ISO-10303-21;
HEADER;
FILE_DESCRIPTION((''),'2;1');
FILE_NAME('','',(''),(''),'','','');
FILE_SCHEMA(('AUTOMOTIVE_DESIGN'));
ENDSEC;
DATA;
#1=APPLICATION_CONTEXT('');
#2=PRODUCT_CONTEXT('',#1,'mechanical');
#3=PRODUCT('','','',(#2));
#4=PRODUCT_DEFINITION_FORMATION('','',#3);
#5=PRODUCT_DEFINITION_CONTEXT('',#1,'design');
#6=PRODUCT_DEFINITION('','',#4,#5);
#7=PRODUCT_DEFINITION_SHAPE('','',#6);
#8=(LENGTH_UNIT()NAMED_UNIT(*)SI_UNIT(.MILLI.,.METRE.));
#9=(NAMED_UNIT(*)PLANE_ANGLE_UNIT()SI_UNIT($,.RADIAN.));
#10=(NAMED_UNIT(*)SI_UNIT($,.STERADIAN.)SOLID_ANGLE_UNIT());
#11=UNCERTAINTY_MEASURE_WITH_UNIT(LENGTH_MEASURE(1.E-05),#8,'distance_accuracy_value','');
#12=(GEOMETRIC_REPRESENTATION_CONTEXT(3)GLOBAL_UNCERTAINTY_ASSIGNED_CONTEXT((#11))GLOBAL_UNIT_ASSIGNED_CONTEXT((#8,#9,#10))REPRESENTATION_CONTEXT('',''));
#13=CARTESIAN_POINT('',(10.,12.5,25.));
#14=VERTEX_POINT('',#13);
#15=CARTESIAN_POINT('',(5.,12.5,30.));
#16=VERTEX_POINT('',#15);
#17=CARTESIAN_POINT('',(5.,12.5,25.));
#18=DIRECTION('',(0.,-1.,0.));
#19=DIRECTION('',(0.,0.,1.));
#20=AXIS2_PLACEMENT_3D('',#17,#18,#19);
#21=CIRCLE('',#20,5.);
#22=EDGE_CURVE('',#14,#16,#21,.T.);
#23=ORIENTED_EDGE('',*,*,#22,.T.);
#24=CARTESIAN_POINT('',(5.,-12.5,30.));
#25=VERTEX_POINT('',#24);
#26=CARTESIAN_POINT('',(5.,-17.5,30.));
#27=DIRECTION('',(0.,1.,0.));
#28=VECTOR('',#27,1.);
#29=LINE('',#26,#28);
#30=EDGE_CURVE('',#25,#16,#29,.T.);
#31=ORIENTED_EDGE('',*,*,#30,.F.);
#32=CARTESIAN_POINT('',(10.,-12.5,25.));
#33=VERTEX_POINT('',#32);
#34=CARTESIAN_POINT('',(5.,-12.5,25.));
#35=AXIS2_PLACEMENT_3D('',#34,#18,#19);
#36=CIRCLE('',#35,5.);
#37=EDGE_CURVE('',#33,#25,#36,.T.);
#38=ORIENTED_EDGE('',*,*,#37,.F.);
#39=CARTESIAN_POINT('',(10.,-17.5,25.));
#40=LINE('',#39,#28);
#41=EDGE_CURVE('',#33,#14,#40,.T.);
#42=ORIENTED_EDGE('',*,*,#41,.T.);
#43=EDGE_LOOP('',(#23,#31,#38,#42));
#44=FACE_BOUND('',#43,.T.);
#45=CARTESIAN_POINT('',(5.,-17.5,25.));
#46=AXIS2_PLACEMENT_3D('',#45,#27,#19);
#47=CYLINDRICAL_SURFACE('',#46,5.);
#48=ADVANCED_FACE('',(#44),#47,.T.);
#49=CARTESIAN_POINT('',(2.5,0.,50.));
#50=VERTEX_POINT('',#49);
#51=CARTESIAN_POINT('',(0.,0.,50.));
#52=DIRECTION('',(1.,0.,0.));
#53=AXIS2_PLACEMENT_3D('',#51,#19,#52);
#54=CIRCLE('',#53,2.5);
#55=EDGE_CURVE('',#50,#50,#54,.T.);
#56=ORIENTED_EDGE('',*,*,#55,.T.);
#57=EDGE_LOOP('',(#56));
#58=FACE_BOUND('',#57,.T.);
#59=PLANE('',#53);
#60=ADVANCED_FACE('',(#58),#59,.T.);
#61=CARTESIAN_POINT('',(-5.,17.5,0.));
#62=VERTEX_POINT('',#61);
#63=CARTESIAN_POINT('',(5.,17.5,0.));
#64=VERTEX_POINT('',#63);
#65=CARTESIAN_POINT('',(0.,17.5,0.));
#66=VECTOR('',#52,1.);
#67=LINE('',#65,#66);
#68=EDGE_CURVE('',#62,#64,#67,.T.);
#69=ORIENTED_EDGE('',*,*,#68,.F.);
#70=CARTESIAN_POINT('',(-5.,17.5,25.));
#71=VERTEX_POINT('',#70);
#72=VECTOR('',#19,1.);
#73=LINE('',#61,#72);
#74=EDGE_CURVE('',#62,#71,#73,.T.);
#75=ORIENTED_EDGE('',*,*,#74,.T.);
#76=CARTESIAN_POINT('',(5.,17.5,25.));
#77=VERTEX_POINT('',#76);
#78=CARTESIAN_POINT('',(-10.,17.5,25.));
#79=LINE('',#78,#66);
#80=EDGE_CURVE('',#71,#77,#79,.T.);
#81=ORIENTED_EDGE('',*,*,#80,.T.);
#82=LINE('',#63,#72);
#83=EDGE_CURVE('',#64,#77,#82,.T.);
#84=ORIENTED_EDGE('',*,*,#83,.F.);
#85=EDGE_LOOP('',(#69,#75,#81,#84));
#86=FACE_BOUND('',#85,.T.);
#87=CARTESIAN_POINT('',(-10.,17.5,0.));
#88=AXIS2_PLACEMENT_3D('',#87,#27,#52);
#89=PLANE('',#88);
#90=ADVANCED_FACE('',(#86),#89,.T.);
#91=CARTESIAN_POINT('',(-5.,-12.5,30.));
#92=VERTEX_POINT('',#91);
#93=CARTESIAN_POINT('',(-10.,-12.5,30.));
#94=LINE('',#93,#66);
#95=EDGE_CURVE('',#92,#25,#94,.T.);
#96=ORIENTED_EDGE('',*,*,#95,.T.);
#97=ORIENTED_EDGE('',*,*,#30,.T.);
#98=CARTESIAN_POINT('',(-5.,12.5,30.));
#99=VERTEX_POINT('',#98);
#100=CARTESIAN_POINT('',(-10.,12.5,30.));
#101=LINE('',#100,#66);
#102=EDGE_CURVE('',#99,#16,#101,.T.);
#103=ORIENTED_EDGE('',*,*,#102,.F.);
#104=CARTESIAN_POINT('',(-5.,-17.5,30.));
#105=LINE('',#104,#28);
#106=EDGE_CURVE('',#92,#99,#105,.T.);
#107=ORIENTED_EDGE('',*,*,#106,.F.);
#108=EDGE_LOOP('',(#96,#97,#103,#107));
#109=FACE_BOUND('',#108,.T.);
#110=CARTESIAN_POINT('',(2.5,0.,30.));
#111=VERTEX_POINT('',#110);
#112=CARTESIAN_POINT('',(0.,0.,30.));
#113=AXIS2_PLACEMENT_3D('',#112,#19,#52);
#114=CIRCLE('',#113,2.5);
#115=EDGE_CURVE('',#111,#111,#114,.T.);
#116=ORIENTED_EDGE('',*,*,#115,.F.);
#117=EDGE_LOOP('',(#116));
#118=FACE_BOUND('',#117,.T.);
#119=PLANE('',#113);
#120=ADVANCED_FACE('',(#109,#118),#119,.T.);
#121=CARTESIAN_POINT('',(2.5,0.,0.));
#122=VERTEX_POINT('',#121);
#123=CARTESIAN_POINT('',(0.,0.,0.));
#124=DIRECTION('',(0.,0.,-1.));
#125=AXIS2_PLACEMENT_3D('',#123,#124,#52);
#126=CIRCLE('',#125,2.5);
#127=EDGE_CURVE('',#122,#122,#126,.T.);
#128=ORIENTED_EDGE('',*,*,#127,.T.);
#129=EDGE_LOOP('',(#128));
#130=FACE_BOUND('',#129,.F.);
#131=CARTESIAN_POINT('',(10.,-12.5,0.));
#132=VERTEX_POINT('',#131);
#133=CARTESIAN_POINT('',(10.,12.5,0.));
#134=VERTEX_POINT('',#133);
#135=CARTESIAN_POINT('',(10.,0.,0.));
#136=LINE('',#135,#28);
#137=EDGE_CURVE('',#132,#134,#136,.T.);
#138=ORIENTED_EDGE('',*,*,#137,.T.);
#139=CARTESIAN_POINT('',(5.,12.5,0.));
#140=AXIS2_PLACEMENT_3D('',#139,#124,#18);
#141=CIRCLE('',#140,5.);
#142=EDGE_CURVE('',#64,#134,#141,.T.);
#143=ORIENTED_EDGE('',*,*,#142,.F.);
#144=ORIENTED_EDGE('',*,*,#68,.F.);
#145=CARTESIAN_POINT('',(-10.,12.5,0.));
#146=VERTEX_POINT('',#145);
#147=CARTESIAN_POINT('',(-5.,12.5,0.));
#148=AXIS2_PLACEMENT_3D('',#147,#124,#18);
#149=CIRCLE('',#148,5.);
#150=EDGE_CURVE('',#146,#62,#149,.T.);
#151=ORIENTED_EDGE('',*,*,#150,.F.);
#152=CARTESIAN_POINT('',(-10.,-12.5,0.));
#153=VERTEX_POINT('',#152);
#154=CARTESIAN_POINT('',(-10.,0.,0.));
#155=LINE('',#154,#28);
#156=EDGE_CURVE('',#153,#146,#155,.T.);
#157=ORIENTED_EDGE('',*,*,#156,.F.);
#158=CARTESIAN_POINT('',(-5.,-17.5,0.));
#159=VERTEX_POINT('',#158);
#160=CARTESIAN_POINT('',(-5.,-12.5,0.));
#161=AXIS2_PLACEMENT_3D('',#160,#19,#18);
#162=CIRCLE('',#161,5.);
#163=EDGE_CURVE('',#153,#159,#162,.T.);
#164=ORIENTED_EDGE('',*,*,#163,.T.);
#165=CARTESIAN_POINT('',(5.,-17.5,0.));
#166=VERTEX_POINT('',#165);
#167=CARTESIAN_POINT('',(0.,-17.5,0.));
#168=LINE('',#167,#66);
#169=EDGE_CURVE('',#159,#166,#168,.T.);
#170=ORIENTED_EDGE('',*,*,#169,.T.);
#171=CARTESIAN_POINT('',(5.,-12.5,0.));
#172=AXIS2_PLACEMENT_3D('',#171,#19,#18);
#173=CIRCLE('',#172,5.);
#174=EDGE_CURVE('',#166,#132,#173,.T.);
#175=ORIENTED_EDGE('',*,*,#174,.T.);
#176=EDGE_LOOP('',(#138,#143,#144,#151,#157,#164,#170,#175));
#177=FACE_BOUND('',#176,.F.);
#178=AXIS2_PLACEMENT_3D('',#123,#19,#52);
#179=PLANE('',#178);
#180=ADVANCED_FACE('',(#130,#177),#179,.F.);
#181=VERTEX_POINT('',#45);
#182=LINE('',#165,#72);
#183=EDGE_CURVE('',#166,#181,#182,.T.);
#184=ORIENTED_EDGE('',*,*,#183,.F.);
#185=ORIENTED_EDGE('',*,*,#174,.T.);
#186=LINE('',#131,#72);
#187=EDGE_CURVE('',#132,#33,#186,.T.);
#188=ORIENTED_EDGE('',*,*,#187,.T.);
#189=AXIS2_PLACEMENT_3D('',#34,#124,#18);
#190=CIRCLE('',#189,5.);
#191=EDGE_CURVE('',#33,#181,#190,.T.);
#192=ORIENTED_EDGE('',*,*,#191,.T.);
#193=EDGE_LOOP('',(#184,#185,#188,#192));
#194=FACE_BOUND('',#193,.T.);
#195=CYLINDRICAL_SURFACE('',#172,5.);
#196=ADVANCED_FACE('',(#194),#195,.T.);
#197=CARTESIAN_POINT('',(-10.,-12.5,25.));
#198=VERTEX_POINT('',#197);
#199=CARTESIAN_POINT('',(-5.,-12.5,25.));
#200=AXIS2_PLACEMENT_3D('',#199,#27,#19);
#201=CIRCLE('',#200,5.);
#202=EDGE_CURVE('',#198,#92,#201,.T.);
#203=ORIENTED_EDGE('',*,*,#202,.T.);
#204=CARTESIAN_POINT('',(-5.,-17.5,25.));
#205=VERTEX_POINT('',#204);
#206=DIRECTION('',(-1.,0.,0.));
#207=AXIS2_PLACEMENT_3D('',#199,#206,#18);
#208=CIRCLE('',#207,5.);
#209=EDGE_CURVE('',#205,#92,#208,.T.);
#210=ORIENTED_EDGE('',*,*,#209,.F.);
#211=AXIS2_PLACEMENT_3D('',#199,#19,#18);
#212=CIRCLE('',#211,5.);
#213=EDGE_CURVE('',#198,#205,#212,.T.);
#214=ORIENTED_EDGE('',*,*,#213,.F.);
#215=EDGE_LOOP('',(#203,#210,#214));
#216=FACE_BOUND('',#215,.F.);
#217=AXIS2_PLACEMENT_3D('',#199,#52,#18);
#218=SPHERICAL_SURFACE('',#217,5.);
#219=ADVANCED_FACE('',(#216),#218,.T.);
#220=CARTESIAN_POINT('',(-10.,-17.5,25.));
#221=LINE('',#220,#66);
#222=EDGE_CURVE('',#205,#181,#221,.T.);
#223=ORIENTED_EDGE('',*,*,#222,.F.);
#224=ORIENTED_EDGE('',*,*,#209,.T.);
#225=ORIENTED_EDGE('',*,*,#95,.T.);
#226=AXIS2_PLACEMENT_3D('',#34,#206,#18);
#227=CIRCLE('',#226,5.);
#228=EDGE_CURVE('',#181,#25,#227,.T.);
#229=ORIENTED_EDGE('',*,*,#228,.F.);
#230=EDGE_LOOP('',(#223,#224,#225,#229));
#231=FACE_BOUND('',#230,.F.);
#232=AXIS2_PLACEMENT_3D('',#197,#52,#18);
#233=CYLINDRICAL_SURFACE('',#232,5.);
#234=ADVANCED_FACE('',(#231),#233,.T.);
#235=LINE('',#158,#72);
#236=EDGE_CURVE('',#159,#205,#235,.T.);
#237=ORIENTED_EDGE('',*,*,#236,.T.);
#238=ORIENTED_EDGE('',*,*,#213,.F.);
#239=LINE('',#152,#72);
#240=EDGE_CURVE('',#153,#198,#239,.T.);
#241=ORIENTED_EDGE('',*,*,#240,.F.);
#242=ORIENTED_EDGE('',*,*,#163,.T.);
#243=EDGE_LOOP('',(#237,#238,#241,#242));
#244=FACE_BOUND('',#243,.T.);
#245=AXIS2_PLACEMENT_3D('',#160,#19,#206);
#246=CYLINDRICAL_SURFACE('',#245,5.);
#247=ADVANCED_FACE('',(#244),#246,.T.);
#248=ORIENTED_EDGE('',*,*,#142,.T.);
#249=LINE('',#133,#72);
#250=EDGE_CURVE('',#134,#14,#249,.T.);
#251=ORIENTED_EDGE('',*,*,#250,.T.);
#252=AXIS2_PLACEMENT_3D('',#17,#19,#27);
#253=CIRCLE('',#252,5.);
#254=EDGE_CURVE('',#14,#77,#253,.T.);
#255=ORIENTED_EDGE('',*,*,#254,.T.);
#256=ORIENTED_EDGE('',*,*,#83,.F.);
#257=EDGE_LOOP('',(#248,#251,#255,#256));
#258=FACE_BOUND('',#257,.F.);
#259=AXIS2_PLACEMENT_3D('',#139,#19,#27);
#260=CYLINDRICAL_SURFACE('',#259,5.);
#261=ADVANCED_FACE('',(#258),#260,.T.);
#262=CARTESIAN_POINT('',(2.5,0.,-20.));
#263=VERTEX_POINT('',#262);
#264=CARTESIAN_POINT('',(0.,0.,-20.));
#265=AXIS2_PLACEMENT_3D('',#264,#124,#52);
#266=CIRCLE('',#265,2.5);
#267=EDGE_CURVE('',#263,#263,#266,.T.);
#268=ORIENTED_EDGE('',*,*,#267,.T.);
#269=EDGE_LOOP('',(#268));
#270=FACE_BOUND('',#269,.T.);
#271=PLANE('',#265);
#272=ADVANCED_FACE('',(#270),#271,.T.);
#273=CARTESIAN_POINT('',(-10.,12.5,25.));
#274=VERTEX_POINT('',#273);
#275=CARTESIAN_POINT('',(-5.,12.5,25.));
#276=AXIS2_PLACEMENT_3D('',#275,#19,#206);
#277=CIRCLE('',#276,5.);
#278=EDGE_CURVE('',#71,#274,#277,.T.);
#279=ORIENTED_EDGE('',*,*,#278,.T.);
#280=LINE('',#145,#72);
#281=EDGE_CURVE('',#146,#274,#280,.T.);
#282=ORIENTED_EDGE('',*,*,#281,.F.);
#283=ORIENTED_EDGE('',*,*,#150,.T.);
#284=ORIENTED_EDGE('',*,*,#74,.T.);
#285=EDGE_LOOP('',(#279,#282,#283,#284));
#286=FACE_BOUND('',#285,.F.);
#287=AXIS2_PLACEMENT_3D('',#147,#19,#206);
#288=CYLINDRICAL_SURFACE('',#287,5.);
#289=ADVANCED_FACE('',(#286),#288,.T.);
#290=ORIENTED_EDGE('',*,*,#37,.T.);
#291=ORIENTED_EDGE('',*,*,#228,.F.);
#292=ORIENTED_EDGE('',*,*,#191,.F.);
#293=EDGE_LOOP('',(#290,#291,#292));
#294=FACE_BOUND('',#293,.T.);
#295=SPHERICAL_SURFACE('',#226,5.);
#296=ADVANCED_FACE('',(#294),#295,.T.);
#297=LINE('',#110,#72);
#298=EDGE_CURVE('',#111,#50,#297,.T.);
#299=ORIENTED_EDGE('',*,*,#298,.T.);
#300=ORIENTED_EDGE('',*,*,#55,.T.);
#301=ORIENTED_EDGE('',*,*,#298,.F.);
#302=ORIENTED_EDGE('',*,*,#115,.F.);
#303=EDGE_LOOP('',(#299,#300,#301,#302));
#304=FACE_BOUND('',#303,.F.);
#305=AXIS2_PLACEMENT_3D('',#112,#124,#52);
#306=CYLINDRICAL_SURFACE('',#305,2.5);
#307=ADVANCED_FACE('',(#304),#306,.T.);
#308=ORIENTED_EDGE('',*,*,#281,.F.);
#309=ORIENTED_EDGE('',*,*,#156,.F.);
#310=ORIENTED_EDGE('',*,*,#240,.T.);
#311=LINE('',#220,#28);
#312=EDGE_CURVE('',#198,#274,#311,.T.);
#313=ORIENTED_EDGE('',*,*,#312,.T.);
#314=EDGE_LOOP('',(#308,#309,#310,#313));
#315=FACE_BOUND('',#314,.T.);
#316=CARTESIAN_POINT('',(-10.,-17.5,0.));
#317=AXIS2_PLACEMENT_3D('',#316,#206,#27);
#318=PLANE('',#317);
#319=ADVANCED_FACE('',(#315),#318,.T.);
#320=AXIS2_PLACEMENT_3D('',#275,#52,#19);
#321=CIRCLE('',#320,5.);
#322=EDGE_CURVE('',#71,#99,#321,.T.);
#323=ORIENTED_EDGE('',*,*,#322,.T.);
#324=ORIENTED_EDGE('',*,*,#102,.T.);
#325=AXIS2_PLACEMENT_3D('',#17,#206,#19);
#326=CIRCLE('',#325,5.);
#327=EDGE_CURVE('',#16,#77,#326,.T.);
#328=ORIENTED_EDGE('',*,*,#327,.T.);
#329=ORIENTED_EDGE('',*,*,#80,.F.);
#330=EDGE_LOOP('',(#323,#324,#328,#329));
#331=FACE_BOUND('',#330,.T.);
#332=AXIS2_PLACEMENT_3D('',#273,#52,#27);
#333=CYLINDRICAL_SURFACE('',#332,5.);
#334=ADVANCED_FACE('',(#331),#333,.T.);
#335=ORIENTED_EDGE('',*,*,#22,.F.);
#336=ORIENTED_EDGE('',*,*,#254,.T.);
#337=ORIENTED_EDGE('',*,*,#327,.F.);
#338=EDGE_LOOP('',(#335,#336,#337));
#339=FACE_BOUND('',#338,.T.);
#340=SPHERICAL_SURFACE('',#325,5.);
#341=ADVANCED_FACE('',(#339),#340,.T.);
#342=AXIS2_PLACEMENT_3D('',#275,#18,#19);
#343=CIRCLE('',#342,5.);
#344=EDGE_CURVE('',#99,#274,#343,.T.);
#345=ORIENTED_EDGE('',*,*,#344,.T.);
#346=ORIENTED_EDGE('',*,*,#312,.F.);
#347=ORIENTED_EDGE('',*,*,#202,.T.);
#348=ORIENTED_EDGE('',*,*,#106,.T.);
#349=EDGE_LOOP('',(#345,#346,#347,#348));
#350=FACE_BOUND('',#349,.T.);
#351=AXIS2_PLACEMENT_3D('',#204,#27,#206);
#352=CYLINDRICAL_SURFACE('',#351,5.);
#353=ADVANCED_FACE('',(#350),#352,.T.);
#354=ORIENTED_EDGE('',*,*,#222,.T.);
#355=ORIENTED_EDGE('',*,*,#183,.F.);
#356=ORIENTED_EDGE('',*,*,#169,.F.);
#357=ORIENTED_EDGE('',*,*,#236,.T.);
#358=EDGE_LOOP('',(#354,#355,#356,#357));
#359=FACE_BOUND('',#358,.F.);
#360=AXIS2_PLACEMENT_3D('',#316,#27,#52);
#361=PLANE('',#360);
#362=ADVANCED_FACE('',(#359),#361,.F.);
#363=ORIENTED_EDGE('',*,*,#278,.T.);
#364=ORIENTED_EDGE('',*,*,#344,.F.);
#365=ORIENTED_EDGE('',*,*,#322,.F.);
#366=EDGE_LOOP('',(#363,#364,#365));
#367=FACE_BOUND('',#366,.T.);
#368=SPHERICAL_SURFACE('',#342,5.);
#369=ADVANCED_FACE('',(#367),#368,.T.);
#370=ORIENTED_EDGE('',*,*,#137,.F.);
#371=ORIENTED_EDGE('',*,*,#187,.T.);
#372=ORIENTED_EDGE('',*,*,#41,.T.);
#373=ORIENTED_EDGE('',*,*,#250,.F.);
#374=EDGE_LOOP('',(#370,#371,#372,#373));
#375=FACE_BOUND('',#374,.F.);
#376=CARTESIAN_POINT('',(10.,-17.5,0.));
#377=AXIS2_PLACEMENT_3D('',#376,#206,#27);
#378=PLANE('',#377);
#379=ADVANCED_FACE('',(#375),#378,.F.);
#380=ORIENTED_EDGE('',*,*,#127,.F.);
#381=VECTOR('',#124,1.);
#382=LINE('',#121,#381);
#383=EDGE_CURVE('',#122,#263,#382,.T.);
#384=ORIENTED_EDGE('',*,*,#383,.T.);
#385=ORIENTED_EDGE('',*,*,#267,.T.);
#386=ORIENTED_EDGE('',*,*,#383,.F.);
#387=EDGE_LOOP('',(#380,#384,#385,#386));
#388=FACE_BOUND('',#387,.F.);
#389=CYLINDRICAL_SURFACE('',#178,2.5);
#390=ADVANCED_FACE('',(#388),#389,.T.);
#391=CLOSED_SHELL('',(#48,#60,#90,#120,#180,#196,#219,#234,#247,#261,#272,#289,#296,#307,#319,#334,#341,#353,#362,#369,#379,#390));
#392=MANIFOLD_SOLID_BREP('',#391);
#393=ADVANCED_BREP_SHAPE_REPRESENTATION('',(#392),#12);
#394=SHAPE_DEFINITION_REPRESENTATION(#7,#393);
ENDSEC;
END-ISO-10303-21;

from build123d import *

# Parameters (mm, degrees)
F0_W     = 20
F0_H     = 35
F1_DEPTH = 30
F2_R     = 2.5
F3_DEPTH = 20
F4_R     = 5
F5_R     = 2.5
F6_DEPTH = 20


with BuildPart() as f1:
    # F0 (on Top) → F1 (new body)
    with BuildSketch(Plane.XY):
        Rectangle(F0_W, F0_H)
    extrude(amount=F1_DEPTH)

    # F2 (on face) → F3 (join)
    with BuildSketch(Plane.XY.offset(30)):
        Circle(F2_R)
    extrude(amount=F3_DEPTH)

    # F4
    f4_edges = [f1.edges().sort_by_distance(p)[0] for p in [
        (0, -17.5, 30),
        (10, -17.5, 15),
        (-10, -17.5, 15),
        (-10, 0, 30),
        (0, 17.5, 30),
        (10, 0, 30),
        (10, 17.5, 15),
        (-10, 17.5, 15),
    ]]
    fillet(f4_edges, radius=F4_R)

    # F5 (on face) → F6 (join)
    with BuildSketch(Plane(origin=(0, 0, 0), x_dir=(1, 0, 0), z_dir=(0, 0, -1))):
        Circle(F5_R)
    extrude(amount=F6_DEPTH)


solid = f1.part
